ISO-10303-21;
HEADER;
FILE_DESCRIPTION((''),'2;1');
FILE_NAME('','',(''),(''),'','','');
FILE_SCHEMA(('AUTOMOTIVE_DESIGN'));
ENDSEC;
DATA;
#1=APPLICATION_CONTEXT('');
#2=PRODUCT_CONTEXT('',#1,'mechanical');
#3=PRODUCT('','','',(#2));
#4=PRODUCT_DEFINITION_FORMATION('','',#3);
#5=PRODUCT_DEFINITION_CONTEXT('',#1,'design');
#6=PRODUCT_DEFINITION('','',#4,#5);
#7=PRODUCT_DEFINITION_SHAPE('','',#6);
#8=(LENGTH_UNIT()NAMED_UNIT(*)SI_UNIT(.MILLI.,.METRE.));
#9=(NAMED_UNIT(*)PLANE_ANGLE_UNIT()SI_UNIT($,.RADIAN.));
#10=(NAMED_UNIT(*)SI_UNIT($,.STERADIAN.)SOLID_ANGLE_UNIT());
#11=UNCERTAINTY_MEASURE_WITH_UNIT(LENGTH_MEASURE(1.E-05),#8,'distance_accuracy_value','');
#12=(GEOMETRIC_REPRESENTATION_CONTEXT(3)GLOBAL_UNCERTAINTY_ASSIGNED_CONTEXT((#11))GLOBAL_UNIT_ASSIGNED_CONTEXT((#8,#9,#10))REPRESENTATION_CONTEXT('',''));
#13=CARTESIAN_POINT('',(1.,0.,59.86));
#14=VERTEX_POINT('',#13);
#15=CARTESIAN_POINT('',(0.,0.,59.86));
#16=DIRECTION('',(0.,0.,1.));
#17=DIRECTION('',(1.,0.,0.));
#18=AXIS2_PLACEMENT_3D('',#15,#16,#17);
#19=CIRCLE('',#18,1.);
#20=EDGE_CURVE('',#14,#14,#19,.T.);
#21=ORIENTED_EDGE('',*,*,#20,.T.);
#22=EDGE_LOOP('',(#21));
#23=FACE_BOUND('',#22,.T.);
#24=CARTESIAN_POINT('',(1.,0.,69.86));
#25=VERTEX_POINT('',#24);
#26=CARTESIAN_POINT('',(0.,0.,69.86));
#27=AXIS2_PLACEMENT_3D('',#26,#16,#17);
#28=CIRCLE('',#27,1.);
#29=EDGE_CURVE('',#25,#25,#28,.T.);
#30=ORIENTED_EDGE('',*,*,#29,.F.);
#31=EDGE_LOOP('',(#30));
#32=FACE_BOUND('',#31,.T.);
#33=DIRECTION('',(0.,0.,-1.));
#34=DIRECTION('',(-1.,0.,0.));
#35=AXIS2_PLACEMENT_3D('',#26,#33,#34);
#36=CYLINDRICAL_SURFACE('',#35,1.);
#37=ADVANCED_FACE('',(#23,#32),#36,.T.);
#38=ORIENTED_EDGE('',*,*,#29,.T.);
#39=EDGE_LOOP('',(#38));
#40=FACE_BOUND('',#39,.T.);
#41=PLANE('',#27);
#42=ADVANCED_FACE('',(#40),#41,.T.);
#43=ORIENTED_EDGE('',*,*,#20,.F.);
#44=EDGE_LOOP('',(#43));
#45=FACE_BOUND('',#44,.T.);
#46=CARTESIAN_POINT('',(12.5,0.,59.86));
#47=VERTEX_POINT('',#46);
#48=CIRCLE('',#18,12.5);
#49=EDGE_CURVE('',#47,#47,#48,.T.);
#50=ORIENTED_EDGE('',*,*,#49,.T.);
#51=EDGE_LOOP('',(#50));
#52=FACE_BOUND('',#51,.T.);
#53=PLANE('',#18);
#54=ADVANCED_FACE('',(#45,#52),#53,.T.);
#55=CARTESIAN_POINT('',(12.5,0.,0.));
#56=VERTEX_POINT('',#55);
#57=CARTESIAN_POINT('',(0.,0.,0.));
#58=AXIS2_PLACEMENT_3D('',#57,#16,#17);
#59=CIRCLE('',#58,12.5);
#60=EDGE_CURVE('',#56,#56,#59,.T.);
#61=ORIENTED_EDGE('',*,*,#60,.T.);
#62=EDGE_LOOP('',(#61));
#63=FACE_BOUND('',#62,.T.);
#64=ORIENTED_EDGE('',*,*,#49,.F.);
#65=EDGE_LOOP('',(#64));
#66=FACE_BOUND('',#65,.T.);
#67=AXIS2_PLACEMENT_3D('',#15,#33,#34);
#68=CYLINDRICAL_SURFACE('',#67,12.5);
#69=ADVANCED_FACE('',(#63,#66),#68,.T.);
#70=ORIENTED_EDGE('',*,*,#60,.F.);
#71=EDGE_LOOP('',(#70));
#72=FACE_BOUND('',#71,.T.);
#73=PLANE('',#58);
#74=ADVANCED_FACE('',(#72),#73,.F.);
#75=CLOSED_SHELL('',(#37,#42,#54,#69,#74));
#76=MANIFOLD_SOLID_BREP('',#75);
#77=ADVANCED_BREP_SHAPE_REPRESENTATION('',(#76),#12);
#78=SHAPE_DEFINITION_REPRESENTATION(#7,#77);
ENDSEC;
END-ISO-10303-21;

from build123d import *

# Parameters (mm, degrees)
SKETCH1_R           = 12.5
BOSS_EXTRUDE1_DEPTH = 59.86
SKETCH2_R           = 1
BOSS_EXTRUDE2_DEPTH = 10


with BuildPart() as part:
    # Sketch1 → Boss-Extrude1 (new body)
    with BuildSketch(Plane.XY):
        Circle(SKETCH1_R)
    extrude(amount=BOSS_EXTRUDE1_DEPTH)

    # Sketch2 → Boss-Extrude2 (add)
    with BuildSketch(Plane.XY.offset(59.86)):
        Circle(SKETCH2_R)
    extrude(amount=BOSS_EXTRUDE2_DEPTH)


solid = part.part
